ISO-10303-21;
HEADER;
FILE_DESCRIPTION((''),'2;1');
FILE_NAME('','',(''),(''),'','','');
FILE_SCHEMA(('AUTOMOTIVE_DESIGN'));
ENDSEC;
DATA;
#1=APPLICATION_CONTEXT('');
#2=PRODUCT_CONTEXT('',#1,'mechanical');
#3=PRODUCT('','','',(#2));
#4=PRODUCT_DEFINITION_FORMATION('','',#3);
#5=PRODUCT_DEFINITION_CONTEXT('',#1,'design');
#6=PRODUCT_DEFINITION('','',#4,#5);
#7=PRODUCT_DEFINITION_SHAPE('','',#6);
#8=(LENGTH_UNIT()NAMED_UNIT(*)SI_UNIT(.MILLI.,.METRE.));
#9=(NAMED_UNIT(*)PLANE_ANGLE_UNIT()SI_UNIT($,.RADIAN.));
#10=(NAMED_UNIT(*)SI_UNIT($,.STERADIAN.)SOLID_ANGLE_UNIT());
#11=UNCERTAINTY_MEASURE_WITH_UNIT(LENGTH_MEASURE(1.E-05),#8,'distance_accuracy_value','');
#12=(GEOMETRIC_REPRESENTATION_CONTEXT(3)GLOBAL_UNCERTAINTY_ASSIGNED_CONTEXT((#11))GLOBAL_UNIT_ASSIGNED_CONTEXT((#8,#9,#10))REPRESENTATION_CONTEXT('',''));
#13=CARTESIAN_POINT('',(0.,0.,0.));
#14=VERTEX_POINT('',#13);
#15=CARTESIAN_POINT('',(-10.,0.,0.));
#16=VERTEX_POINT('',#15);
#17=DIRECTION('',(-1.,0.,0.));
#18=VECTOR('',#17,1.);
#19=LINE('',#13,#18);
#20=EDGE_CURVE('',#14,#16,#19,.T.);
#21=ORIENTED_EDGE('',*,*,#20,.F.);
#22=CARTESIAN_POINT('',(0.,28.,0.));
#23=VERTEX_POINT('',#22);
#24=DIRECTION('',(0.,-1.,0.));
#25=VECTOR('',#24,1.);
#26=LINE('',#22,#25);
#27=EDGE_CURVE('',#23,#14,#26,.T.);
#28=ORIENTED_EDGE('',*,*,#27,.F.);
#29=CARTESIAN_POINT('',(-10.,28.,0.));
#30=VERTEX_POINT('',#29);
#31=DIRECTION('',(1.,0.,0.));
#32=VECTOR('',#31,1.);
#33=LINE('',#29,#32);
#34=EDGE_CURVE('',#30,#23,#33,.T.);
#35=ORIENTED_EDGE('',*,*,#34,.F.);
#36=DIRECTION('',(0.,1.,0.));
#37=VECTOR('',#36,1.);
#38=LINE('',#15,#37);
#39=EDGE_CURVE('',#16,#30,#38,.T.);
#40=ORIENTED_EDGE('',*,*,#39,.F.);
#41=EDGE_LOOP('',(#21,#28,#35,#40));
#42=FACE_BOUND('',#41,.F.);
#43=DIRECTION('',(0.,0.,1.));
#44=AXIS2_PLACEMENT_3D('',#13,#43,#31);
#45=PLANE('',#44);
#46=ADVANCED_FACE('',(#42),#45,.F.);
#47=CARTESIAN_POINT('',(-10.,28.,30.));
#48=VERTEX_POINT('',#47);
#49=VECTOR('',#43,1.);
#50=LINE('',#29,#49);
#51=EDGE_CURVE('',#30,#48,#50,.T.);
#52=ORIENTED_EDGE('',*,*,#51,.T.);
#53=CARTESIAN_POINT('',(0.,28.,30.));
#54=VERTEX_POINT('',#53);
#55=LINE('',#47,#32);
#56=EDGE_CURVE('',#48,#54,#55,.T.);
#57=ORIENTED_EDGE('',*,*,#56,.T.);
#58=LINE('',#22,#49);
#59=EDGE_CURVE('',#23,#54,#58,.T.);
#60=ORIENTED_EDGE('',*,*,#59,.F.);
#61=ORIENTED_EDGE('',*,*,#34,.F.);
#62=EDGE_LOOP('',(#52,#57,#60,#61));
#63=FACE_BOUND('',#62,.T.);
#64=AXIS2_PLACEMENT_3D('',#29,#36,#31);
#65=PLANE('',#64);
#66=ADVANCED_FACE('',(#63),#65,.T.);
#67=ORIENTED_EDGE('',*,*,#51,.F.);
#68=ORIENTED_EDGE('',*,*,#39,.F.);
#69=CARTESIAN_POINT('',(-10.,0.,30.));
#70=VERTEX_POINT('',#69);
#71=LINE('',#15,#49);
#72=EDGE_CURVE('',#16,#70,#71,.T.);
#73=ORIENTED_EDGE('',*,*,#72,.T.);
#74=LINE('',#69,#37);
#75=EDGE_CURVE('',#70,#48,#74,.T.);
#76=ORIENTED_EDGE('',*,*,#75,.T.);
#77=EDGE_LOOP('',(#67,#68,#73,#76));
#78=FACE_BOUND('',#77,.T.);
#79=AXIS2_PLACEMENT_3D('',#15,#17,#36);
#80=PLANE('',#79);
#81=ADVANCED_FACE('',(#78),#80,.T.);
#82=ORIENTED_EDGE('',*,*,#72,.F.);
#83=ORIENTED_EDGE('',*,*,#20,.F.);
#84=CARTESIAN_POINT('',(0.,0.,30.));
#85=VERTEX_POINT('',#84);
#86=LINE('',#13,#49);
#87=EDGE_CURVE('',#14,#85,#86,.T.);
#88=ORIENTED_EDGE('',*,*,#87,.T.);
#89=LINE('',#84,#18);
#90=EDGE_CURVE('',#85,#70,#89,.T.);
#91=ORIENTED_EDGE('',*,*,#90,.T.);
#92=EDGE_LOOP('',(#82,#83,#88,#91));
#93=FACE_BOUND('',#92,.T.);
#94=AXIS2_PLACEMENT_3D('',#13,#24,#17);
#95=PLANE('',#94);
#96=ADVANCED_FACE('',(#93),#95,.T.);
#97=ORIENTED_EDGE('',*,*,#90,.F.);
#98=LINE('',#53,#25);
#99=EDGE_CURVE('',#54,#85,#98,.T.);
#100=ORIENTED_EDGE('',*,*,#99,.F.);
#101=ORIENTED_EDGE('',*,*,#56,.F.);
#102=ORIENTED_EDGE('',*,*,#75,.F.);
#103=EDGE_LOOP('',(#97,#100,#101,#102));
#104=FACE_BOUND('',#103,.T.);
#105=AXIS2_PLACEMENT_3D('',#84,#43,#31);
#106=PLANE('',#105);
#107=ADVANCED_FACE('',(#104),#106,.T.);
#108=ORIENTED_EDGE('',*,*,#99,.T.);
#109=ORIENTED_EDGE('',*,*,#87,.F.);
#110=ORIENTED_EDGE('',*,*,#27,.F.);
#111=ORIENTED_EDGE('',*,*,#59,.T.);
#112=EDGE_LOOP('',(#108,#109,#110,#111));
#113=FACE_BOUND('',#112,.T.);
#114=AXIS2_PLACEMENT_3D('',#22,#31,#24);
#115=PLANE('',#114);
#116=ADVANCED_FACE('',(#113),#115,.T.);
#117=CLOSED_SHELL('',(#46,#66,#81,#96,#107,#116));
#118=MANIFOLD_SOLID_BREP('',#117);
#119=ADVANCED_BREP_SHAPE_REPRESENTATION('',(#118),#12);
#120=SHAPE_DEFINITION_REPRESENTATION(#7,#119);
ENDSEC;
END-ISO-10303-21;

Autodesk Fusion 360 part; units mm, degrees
sketch "Unsorted Smarties Holder Support" plane through (0, 0, 0) normal (0, 0, 1) x (1, 0, 0)
  line L0 (0, 0) -> (-10, 0)
  line L1 (-10, 0) -> (-10, 28)
  line L2 (-10, 28) -> (0, 28)
  line L3 (0, 28) -> (0, 0)
  dimension "d1" = 10
  dimension "d2" = 28
extrude "Extrude1" add sketch "Unsorted Smarties Holder Support" along normal blind 30
